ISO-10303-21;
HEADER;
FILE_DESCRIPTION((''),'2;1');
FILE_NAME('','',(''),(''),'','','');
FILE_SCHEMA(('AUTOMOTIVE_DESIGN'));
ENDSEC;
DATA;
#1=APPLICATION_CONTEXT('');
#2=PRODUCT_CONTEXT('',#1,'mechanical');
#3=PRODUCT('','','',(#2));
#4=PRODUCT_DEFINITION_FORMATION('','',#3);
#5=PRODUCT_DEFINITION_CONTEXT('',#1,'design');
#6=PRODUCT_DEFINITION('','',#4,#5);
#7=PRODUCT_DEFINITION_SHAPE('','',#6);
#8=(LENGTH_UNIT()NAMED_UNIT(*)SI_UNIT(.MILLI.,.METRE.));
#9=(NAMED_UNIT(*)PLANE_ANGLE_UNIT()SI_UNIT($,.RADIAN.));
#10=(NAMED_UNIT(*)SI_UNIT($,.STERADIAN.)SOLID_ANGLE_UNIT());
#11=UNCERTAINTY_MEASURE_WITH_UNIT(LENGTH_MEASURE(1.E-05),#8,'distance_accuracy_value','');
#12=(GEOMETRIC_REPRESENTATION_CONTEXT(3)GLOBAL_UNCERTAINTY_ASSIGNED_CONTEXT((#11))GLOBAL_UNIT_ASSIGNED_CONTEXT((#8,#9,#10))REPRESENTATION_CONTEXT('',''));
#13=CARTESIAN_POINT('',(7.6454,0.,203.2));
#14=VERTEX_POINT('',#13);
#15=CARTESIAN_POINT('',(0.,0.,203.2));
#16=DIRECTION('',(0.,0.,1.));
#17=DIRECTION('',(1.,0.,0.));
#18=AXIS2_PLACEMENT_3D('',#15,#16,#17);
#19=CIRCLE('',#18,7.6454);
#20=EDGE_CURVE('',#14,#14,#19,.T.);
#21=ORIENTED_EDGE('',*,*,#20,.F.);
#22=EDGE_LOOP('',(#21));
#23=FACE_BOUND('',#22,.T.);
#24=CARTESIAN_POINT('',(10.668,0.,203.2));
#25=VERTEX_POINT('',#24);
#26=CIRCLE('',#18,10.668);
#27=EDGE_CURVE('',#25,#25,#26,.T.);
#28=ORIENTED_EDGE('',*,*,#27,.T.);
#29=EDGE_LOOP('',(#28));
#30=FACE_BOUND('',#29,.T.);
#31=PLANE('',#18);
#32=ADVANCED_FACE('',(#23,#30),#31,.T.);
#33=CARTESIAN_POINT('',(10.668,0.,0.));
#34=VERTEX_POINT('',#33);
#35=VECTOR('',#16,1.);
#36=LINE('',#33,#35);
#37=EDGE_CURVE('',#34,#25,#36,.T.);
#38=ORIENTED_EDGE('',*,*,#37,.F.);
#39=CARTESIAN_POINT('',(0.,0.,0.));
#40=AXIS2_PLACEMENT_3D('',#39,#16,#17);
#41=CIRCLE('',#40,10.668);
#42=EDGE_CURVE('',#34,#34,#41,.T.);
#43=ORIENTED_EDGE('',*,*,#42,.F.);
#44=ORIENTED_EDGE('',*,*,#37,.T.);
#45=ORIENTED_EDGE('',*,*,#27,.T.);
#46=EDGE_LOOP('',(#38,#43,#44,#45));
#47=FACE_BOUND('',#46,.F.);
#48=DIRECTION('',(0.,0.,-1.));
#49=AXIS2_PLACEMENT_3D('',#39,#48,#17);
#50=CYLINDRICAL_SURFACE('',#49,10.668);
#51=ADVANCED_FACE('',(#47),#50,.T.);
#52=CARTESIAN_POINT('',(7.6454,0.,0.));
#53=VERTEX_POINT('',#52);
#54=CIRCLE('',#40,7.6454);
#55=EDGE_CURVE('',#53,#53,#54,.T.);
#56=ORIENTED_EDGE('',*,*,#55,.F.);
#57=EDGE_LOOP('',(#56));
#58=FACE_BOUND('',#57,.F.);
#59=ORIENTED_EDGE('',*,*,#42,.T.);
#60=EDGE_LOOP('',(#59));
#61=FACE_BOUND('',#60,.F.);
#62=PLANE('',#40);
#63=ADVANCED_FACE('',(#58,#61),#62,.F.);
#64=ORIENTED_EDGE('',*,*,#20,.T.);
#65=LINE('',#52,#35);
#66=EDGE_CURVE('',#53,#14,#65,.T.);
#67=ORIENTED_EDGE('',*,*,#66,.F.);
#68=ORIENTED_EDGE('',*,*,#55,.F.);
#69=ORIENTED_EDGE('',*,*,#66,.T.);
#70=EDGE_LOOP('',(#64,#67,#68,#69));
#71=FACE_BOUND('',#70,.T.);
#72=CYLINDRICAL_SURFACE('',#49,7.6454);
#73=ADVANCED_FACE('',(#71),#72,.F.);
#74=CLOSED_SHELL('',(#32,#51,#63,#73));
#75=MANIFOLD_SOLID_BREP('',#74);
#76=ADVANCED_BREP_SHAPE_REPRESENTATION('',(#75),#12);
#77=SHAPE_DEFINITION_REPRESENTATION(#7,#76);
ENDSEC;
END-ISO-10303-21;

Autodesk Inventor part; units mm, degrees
ref_plane "YZ Plane" through (0, 0, 0) normal (1, 0, 0) x (0, 1, 0)
ref_plane "XZ Plane" through (0, 0, 0) normal (0, 1, 0) x (-1, 0, 0)
ref_plane "XY Plane" through (0, 0, 0) normal (0, 0, 1) x (1, 0, 0)
sketch "Sketch1" plane through (0, 0, 0) normal (0, 0, 1) x (1, 0, 0)
  circle A0 centre (0, 0) radius 10.668
  circle A1 centre (0, 0) radius 7.6454
  dimension "d0" = 21.336
  dimension "d1" = 15.2908
extrude "Extrusion1" add sketch "Sketch1" along normal blind 203.2
properties part number "FrameAxlePVC" material "PVC-Piping"
